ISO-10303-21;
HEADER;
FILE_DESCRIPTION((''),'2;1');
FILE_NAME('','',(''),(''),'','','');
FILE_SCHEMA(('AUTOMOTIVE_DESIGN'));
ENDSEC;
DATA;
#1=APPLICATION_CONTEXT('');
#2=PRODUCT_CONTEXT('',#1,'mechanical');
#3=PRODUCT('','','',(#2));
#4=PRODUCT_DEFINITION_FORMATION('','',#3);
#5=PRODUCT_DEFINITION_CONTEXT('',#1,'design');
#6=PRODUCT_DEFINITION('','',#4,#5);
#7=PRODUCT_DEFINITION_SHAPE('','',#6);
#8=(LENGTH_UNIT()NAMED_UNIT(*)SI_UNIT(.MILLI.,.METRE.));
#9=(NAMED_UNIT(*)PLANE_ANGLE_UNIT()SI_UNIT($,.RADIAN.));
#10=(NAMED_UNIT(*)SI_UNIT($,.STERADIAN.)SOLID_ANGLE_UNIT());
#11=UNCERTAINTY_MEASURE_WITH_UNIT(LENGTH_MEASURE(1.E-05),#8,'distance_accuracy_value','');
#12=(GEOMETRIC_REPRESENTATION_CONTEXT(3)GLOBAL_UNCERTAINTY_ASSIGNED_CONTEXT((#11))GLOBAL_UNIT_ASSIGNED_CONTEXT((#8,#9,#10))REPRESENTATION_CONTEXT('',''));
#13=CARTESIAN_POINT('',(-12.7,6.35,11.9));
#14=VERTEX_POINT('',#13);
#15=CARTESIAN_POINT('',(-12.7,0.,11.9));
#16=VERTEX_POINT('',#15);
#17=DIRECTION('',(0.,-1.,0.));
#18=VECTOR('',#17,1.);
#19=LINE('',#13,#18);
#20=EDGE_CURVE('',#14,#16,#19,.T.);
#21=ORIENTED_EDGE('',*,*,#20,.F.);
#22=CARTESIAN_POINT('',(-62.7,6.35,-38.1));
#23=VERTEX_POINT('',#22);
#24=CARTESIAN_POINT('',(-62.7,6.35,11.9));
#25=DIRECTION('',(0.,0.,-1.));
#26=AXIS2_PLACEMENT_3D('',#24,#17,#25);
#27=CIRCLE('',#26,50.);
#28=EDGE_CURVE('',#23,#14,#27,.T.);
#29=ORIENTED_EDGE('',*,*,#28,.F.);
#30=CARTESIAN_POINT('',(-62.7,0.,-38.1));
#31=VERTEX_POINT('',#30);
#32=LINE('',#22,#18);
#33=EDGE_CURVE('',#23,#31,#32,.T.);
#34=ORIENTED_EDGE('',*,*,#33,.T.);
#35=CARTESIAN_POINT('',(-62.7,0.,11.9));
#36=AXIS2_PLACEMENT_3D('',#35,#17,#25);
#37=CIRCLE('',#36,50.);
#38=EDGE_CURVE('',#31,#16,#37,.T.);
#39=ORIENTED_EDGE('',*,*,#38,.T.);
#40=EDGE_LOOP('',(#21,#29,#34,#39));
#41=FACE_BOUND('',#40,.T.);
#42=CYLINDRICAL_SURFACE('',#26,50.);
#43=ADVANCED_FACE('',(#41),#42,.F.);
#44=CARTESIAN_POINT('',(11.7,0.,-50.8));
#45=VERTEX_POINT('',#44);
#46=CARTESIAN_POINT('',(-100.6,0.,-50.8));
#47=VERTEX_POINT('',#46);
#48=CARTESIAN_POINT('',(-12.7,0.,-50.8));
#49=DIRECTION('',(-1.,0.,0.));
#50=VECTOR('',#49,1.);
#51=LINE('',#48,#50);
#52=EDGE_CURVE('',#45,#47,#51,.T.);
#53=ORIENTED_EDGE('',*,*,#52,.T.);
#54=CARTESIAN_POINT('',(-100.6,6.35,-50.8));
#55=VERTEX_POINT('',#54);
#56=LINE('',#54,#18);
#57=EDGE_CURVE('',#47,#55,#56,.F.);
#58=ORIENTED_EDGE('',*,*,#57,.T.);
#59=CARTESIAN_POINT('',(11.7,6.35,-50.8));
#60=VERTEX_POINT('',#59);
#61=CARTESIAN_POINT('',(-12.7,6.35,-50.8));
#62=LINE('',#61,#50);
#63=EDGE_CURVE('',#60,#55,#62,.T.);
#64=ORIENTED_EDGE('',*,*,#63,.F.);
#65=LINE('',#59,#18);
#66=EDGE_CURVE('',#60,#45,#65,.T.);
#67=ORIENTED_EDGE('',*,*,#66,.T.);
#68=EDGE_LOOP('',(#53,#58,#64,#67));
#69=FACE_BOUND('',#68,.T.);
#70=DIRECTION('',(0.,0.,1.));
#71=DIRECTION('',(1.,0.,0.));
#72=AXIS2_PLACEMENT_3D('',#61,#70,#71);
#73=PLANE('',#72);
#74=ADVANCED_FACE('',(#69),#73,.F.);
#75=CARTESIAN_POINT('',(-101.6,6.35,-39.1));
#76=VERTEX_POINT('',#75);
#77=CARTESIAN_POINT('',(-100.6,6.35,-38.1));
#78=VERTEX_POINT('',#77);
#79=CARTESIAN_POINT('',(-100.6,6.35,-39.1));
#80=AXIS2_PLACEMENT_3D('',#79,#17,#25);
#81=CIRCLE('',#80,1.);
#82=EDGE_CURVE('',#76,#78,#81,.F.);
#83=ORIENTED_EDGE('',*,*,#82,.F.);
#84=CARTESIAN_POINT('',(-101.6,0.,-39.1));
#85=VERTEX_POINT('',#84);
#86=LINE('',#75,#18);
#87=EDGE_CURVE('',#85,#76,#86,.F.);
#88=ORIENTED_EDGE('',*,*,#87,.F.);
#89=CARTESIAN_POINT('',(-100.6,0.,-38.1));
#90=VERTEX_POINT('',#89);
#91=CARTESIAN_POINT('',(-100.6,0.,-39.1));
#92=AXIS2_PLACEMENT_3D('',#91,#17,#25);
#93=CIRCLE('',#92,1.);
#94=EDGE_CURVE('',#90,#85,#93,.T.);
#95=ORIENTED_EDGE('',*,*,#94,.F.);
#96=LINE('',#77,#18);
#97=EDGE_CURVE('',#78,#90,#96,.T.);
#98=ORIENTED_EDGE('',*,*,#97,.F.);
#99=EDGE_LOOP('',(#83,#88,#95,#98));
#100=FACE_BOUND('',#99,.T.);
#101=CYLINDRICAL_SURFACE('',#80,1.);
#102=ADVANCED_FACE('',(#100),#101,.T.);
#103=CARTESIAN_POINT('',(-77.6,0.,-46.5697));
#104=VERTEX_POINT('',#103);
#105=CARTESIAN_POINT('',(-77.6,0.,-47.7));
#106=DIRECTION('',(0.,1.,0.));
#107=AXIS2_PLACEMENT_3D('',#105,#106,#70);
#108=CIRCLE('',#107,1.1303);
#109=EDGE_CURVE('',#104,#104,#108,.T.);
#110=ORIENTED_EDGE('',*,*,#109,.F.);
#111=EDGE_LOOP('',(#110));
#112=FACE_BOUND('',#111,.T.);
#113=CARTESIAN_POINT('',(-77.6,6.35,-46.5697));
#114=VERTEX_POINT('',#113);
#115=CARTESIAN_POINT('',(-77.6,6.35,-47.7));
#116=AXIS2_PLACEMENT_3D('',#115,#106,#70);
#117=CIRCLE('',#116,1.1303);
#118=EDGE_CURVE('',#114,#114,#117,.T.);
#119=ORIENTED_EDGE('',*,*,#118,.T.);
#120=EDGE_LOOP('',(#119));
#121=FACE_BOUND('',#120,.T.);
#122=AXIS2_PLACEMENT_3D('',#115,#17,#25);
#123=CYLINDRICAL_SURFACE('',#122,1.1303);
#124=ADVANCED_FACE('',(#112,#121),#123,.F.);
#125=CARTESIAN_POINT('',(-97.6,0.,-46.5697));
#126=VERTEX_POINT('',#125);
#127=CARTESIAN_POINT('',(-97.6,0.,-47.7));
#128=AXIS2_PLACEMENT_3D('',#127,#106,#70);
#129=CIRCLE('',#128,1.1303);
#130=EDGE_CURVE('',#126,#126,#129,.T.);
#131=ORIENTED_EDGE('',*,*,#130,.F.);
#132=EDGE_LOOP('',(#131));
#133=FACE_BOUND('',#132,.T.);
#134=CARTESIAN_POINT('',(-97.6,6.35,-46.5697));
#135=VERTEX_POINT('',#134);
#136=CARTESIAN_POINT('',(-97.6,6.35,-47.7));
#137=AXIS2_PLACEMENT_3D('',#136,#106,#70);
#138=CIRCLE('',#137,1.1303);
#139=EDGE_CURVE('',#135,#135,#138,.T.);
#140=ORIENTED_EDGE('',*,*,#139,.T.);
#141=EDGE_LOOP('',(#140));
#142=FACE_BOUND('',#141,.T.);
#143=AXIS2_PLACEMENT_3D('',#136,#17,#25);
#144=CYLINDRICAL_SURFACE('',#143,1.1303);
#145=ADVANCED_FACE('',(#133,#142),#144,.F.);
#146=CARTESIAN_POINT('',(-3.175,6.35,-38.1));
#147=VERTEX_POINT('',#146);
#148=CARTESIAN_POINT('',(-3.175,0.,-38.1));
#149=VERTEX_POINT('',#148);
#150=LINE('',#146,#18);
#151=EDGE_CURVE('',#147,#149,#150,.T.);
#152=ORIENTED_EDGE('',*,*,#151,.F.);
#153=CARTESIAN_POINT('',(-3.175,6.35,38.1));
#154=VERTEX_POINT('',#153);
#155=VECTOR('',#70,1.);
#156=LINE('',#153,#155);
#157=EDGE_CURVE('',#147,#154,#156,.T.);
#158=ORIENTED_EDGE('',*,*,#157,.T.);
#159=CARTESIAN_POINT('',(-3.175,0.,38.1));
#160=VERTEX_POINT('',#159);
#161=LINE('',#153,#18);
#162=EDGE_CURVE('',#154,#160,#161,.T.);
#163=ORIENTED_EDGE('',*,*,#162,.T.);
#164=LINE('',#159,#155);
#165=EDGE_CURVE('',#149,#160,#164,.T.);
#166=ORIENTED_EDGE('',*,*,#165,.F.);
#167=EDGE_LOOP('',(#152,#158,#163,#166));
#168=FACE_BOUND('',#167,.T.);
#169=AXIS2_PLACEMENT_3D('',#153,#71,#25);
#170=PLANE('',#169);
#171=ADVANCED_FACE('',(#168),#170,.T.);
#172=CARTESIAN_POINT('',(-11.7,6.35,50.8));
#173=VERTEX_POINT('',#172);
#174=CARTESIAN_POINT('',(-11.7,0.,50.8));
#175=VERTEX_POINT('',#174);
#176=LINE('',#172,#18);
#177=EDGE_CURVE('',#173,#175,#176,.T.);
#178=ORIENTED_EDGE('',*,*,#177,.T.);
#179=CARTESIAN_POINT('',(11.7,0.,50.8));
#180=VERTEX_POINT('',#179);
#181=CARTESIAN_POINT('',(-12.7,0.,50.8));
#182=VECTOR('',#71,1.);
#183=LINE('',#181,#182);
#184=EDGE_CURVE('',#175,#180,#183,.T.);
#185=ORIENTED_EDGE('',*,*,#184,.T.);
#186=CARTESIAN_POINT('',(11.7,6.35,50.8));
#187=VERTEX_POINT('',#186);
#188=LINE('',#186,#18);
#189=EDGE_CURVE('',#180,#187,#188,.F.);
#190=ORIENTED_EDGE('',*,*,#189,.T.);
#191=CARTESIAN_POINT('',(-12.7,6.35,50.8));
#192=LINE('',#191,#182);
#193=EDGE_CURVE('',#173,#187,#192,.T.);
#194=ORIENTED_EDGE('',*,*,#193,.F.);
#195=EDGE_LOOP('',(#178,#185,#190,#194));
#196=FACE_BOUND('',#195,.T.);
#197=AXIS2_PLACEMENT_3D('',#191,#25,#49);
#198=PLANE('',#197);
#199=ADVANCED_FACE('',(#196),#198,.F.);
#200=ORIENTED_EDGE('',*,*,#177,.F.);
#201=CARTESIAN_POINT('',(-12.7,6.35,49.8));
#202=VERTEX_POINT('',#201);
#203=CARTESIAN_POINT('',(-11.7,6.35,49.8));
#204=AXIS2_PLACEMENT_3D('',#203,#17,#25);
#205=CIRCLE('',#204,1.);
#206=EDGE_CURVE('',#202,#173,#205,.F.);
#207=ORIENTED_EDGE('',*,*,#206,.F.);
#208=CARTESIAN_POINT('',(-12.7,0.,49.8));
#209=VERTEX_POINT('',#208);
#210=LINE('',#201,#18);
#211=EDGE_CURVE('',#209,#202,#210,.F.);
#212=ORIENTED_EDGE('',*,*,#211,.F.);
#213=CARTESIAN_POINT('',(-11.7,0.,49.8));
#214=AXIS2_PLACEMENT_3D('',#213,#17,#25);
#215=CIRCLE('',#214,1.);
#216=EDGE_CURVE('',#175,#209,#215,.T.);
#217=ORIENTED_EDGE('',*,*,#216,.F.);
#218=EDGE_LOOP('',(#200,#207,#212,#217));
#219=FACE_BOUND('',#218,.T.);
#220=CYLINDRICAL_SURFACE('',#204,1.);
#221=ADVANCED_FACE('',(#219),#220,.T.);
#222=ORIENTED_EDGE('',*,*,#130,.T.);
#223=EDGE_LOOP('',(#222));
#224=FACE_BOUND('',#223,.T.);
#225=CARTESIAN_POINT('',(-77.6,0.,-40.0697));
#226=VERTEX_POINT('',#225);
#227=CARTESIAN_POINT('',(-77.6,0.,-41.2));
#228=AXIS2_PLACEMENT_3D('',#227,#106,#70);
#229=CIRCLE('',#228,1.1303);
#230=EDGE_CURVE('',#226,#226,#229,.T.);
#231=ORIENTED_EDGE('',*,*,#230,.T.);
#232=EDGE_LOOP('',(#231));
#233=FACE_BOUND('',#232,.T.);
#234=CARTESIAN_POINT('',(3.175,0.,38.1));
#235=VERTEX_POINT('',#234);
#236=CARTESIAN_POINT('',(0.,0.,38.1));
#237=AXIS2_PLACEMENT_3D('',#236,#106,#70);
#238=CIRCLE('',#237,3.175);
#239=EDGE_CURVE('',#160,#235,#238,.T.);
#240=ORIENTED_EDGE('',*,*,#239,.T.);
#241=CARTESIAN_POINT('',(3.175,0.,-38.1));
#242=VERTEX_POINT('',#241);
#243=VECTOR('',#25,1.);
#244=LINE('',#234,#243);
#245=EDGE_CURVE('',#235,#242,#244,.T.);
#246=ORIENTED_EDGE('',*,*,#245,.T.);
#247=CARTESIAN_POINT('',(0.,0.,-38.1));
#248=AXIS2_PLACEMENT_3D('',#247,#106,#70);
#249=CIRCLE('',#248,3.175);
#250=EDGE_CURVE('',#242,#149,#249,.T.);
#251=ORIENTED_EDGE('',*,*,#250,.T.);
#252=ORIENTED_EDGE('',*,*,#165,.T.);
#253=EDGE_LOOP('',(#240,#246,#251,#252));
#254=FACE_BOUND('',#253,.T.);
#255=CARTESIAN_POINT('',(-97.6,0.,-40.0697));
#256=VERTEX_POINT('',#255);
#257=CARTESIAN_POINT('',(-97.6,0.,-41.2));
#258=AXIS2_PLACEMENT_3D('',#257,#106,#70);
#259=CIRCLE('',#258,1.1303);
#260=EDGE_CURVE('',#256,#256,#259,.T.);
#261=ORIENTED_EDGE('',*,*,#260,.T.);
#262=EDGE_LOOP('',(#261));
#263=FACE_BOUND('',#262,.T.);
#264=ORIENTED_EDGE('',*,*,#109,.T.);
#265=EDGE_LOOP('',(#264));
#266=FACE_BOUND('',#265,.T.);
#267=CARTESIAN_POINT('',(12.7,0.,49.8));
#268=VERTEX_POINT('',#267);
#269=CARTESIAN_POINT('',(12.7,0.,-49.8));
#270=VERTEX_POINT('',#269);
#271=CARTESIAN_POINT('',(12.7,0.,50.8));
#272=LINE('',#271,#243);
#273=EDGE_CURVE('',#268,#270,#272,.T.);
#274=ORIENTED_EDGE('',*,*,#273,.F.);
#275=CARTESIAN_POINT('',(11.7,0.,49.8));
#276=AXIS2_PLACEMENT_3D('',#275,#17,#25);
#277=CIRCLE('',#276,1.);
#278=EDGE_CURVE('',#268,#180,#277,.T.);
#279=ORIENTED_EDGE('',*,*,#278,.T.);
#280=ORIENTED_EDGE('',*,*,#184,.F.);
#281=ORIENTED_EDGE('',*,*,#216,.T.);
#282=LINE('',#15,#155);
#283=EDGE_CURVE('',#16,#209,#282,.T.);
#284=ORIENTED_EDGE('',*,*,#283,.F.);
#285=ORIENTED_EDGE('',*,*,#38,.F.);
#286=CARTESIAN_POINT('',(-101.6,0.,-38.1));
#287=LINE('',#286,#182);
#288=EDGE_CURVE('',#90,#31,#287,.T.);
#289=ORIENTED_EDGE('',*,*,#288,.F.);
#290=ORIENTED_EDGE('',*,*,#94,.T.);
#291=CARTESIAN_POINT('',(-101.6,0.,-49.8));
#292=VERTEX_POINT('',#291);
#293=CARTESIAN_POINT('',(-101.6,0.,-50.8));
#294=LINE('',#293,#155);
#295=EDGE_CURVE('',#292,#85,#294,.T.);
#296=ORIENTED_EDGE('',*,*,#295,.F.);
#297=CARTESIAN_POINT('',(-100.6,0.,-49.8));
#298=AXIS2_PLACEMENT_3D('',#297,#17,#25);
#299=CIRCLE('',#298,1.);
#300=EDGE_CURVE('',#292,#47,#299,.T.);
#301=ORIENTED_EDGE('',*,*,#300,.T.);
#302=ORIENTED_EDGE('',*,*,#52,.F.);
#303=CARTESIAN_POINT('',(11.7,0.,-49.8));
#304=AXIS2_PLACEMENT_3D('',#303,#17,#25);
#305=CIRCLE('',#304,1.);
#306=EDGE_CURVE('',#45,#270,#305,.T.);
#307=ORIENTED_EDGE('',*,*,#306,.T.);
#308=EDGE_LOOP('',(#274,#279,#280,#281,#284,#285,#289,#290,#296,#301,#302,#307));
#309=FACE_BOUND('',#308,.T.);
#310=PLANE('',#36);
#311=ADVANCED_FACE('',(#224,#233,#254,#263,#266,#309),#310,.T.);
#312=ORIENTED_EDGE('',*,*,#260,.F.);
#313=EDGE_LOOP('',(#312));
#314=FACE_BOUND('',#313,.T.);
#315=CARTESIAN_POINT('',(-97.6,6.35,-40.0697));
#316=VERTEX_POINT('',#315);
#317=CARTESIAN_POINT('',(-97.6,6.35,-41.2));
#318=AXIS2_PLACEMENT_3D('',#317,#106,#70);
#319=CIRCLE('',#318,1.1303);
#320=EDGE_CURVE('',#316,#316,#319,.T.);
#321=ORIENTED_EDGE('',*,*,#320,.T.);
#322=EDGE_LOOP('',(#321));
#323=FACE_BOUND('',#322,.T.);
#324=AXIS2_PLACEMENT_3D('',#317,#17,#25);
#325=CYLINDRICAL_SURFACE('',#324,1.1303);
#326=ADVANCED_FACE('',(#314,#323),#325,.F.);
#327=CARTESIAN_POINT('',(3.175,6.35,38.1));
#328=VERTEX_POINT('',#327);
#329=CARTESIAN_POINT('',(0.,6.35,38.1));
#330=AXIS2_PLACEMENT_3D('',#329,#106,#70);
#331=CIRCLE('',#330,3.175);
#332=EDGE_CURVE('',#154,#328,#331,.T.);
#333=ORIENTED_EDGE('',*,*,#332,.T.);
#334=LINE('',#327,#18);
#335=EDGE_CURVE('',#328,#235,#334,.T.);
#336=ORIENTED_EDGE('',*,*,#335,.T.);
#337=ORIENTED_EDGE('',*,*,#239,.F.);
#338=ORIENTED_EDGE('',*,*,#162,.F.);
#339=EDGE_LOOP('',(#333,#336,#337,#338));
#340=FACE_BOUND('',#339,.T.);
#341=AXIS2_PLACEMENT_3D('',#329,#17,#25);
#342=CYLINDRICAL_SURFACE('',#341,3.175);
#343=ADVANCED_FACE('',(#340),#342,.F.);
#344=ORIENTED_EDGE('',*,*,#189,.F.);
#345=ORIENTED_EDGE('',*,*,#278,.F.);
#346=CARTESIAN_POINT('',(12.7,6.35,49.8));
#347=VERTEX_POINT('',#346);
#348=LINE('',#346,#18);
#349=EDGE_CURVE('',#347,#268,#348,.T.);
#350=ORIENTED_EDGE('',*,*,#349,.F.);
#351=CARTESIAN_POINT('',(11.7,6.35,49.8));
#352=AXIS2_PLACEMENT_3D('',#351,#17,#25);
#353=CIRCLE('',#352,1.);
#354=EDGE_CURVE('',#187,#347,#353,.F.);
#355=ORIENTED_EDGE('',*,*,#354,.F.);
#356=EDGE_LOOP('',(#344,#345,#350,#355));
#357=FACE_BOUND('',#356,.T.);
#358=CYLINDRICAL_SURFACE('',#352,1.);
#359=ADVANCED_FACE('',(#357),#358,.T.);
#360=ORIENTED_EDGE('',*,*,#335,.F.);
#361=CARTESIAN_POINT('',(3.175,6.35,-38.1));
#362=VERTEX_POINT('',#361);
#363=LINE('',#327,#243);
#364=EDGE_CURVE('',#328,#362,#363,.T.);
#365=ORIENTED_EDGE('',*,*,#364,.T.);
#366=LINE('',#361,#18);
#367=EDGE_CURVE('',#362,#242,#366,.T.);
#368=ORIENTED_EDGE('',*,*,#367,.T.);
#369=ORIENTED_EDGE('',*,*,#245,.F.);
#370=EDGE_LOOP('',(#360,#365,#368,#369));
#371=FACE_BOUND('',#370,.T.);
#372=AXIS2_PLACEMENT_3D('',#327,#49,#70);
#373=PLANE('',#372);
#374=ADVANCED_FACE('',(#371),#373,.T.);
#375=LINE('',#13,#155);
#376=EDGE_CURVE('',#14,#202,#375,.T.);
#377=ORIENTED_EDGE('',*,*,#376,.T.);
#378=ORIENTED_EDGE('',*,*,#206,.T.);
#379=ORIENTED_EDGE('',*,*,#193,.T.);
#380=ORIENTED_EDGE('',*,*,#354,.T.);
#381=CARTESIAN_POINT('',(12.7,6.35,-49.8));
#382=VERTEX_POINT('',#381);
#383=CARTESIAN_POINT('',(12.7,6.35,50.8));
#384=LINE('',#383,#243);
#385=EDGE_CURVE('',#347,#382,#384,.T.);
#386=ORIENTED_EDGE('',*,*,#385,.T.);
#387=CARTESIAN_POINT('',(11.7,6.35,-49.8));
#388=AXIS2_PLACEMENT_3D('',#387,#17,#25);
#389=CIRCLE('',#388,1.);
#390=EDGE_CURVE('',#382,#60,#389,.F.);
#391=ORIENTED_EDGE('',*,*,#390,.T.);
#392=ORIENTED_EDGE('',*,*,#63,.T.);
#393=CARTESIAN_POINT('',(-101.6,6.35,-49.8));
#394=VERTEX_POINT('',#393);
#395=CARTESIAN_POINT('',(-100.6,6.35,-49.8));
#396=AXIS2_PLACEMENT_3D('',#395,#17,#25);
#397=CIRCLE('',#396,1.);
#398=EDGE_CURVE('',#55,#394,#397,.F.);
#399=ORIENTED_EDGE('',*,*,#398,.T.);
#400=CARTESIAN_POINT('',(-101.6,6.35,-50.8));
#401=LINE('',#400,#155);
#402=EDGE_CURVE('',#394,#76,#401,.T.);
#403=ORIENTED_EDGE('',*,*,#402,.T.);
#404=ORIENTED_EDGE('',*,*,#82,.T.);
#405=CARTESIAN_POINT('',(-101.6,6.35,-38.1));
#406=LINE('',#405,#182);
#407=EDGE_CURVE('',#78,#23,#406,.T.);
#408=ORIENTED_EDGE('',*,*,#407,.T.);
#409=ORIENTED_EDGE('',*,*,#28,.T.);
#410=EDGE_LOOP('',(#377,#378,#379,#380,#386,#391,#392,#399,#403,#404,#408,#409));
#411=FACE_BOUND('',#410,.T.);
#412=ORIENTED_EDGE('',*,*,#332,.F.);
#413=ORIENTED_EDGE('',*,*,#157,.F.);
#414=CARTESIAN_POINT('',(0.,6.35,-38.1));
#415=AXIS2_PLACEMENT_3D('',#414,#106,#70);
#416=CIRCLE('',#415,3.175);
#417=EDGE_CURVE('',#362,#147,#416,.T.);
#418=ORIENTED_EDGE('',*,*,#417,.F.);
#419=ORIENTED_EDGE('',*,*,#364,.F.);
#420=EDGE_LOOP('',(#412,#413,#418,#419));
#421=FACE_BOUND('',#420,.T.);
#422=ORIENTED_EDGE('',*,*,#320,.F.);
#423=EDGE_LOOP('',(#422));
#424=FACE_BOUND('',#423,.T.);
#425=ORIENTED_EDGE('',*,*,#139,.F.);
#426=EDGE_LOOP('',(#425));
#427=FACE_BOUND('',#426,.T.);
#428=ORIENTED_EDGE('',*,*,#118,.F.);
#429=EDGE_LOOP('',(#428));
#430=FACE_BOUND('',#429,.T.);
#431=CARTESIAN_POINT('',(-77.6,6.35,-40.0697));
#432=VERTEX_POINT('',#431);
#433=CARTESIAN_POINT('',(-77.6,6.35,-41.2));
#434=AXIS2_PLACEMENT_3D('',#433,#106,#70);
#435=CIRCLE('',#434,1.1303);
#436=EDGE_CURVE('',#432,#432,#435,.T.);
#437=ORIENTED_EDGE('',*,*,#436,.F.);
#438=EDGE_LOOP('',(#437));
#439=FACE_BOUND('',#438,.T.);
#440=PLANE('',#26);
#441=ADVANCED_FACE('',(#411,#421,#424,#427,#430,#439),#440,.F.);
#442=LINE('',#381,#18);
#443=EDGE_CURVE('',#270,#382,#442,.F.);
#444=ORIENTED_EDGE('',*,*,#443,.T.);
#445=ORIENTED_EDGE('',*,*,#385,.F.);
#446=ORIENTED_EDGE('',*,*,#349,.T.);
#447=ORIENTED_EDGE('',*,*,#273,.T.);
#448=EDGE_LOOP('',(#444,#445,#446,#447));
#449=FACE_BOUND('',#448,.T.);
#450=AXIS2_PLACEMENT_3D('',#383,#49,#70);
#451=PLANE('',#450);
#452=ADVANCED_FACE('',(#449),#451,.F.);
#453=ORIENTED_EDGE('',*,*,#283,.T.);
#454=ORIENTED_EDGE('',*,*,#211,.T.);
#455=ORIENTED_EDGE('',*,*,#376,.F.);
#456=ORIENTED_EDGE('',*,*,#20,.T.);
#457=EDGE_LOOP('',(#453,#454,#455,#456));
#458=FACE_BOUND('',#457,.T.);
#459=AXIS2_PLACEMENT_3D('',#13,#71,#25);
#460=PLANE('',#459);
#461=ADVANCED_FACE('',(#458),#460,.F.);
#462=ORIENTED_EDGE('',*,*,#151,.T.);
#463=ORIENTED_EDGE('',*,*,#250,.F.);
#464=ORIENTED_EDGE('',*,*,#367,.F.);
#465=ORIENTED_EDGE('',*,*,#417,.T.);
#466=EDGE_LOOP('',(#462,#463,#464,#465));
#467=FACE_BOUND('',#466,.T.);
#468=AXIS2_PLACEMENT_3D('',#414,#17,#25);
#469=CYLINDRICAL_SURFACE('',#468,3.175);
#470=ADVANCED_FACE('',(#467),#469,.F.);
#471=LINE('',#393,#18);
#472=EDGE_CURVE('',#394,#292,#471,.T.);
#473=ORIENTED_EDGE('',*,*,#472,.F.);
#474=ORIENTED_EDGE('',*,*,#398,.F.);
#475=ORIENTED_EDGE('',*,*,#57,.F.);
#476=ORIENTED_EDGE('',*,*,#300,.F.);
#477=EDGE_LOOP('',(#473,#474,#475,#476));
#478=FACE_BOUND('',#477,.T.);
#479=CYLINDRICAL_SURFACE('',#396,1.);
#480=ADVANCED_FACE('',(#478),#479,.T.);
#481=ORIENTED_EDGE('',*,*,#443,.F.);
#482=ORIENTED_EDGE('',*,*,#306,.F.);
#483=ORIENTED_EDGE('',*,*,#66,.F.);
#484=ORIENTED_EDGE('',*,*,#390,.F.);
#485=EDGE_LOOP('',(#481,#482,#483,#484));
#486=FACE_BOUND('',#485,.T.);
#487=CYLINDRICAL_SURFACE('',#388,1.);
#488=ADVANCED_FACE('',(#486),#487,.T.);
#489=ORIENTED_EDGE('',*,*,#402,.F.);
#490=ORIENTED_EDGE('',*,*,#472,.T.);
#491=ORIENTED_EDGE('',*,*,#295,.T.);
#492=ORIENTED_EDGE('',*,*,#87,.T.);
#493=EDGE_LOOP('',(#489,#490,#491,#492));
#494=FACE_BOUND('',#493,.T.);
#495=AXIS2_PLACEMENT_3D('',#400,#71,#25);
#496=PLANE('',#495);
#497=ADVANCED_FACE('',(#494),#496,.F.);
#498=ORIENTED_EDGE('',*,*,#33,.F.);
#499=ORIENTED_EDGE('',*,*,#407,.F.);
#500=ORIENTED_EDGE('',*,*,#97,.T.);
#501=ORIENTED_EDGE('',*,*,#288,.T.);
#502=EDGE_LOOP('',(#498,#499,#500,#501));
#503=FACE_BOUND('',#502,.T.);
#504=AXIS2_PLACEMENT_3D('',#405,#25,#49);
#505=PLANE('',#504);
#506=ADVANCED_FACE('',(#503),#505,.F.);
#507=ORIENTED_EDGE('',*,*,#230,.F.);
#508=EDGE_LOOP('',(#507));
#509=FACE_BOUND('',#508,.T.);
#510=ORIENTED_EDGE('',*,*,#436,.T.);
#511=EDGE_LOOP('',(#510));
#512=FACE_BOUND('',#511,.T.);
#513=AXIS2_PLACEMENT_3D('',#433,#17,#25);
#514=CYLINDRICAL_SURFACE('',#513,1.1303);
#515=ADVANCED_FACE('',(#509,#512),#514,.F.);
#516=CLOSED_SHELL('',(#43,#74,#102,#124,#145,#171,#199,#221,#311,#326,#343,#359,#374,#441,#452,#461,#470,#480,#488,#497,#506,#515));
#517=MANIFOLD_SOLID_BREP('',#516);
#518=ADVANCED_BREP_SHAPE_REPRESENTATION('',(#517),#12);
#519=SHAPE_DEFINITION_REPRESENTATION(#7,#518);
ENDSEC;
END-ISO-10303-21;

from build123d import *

# Parameters (mm, degrees)
SKETCH1_R           = 1.1303
BOSS_EXTRUDE2_DEPTH = 6.35
FILLET1_R           = 1


with BuildPart() as part:
    # Sketch1 → Boss-Extrude2 (new body)
    with BuildSketch(Plane(origin=(0, 0, 0), x_dir=(1, 0, 0), z_dir=(0, 1, 0))):
        with BuildLine():
            Line((-12.7, 50.8), (-101.6, 50.8))
            Line((-101.6, 50.8), (-101.6, 38.1))
            Line((-101.6, 38.1), (-62.7, 38.1))
            ThreePointArc((-62.7, 38.1), (-27.344660941, 23.455339059), (-12.7, -11.9))
            Line((-12.7, -11.9), (-12.7, -50.8))
            Line((-12.7, -50.8), (12.7, -50.8))
            Line((12.7, -50.8), (12.7, 50.8))
            Line((12.7, 50.8), (-12.7, 50.8))
        make_face()
        with Locations(Location((-97.6, 47.7, 0), (0, 0, 270))):
            Circle(SKETCH1_R, mode=Mode.SUBTRACT)
        with Locations(Location((-97.6, 41.2, 0), (0, 0, 270))):
            Circle(SKETCH1_R, mode=Mode.SUBTRACT)
        with Locations(Location((-77.6, 47.7, 0), (0, 0, 270))):
            Circle(SKETCH1_R, mode=Mode.SUBTRACT)
        with Locations(Location((-77.6, 41.2, 0), (0, 0, 270))):
            Circle(SKETCH1_R, mode=Mode.SUBTRACT)
        with BuildLine():
            Line((-3.175, -38.1), (-3.175, 38.1))
            ThreePointArc((-3.175, 38.1), (0, 41.275), (3.175, 38.1))
            Line((3.175, 38.1), (3.175, -38.1))
            ThreePointArc((3.175, -38.1), (0, -41.275), (-3.175, -38.1))
        make_face(mode=Mode.SUBTRACT)
    extrude(amount=BOSS_EXTRUDE2_DEPTH)

    # Fillet1
    fillet1_edges = [part.edges().sort_by_distance(p)[0] for p in [
        (12.7, 3.175, 50.8),
        (-12.7, 3.175, 50.8),
        (-101.6, 3.175, -38.1),
        (-101.6, 3.175, -50.8),
        (12.7, 3.175, -50.8),
    ]]
    fillet(fillet1_edges, radius=FILLET1_R)


solid = part.part
